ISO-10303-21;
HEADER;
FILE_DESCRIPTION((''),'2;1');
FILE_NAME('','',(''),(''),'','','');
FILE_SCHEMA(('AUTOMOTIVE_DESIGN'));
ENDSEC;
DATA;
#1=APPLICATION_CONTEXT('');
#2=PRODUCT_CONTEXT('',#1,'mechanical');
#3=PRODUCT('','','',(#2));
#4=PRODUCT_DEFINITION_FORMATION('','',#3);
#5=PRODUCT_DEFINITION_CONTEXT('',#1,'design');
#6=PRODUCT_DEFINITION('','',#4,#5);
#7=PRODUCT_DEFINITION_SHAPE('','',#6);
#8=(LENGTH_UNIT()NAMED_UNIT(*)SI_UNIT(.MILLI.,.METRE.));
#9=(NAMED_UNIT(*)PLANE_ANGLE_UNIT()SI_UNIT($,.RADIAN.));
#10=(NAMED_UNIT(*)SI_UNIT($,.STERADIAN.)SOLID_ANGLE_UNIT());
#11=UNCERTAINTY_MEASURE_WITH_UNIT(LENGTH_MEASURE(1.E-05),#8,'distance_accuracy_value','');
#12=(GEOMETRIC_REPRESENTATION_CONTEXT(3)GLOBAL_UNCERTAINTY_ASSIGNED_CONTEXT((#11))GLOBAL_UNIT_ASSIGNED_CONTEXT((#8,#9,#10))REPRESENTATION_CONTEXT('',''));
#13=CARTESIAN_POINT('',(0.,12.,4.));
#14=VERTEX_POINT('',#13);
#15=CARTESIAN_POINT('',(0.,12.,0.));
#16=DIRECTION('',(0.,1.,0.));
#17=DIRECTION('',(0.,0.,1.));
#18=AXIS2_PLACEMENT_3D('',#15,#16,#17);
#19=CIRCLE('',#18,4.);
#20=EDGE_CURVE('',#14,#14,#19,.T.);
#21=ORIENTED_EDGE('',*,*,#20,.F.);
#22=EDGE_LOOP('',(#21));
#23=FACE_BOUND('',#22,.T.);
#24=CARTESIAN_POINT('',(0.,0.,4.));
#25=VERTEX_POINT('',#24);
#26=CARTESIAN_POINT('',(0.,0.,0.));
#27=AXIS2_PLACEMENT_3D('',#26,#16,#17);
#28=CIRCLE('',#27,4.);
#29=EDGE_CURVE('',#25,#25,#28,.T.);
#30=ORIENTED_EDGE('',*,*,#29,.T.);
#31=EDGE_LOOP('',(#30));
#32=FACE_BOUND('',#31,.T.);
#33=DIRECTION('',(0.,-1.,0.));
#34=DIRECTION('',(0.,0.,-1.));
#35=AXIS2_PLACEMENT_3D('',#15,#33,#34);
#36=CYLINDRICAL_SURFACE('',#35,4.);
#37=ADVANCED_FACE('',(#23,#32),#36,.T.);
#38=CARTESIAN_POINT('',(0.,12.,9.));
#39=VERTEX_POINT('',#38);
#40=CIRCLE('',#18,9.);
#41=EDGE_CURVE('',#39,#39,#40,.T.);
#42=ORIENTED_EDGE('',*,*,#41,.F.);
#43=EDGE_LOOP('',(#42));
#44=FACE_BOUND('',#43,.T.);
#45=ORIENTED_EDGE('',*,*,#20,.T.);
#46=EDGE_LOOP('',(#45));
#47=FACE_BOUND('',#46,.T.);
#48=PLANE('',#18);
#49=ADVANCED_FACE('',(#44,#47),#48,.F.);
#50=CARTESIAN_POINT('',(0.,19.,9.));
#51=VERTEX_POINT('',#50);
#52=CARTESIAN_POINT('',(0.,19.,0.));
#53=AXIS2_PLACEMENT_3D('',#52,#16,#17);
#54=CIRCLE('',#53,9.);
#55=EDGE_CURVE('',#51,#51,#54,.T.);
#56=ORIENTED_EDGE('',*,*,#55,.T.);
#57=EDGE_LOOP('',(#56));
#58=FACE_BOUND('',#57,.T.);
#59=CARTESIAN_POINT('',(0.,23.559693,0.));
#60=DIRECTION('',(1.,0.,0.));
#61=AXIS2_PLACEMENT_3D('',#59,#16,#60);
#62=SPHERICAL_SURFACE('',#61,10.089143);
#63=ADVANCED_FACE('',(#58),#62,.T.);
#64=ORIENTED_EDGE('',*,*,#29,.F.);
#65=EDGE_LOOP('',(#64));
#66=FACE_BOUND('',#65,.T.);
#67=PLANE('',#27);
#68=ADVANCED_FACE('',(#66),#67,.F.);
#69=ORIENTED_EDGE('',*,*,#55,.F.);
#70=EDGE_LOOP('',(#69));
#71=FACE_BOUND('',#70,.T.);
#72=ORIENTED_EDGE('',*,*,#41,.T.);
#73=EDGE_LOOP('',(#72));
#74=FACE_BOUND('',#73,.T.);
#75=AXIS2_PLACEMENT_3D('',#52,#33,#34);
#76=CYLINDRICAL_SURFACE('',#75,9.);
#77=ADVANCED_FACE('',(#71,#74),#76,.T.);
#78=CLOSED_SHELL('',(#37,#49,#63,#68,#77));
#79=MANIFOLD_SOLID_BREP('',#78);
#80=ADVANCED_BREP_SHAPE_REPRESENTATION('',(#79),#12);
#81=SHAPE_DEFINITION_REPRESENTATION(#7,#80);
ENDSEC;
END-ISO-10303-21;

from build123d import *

# Parameters (mm, degrees)
SKETCH1_R           = 4
BOSS_EXTRUDE1_DEPTH = 12
SKETCH3_R           = 9
BOSS_EXTRUDE2_DEPTH = 7


with BuildPart() as part:
    # Sketch1 → Boss-Extrude1 (new body)
    with BuildSketch(Plane(origin=(0, 0, 0), x_dir=(1, 0, 0), z_dir=(0, 1, 0))):
        Circle(SKETCH1_R)
    extrude(amount=BOSS_EXTRUDE1_DEPTH)

    # Sketch3 → Boss-Extrude2 (add)
    with BuildSketch(Plane(origin=(0, 12, 0), x_dir=(1, 0, 0), z_dir=(0, 1, 0))):
        Circle(SKETCH3_R)
    extrude(amount=BOSS_EXTRUDE2_DEPTH)

    # Sketch4 → Revolve2 (revolve)
    with BuildSketch(Plane.XY):
        with BuildLine():
            Line((0, 28.11938617), (0, 19))
            Line((0, 19), (9, 19))
            ThreePointArc((9, 19), (8.596342111, 28.841142067), (0, 33.648835815))
            Line((0, 33.648835815), (0, 28.11938617))
        make_face()
    revolve(axis=Axis((0, 28.11938617, 0), (0, -1, 0)))


solid = part.part
